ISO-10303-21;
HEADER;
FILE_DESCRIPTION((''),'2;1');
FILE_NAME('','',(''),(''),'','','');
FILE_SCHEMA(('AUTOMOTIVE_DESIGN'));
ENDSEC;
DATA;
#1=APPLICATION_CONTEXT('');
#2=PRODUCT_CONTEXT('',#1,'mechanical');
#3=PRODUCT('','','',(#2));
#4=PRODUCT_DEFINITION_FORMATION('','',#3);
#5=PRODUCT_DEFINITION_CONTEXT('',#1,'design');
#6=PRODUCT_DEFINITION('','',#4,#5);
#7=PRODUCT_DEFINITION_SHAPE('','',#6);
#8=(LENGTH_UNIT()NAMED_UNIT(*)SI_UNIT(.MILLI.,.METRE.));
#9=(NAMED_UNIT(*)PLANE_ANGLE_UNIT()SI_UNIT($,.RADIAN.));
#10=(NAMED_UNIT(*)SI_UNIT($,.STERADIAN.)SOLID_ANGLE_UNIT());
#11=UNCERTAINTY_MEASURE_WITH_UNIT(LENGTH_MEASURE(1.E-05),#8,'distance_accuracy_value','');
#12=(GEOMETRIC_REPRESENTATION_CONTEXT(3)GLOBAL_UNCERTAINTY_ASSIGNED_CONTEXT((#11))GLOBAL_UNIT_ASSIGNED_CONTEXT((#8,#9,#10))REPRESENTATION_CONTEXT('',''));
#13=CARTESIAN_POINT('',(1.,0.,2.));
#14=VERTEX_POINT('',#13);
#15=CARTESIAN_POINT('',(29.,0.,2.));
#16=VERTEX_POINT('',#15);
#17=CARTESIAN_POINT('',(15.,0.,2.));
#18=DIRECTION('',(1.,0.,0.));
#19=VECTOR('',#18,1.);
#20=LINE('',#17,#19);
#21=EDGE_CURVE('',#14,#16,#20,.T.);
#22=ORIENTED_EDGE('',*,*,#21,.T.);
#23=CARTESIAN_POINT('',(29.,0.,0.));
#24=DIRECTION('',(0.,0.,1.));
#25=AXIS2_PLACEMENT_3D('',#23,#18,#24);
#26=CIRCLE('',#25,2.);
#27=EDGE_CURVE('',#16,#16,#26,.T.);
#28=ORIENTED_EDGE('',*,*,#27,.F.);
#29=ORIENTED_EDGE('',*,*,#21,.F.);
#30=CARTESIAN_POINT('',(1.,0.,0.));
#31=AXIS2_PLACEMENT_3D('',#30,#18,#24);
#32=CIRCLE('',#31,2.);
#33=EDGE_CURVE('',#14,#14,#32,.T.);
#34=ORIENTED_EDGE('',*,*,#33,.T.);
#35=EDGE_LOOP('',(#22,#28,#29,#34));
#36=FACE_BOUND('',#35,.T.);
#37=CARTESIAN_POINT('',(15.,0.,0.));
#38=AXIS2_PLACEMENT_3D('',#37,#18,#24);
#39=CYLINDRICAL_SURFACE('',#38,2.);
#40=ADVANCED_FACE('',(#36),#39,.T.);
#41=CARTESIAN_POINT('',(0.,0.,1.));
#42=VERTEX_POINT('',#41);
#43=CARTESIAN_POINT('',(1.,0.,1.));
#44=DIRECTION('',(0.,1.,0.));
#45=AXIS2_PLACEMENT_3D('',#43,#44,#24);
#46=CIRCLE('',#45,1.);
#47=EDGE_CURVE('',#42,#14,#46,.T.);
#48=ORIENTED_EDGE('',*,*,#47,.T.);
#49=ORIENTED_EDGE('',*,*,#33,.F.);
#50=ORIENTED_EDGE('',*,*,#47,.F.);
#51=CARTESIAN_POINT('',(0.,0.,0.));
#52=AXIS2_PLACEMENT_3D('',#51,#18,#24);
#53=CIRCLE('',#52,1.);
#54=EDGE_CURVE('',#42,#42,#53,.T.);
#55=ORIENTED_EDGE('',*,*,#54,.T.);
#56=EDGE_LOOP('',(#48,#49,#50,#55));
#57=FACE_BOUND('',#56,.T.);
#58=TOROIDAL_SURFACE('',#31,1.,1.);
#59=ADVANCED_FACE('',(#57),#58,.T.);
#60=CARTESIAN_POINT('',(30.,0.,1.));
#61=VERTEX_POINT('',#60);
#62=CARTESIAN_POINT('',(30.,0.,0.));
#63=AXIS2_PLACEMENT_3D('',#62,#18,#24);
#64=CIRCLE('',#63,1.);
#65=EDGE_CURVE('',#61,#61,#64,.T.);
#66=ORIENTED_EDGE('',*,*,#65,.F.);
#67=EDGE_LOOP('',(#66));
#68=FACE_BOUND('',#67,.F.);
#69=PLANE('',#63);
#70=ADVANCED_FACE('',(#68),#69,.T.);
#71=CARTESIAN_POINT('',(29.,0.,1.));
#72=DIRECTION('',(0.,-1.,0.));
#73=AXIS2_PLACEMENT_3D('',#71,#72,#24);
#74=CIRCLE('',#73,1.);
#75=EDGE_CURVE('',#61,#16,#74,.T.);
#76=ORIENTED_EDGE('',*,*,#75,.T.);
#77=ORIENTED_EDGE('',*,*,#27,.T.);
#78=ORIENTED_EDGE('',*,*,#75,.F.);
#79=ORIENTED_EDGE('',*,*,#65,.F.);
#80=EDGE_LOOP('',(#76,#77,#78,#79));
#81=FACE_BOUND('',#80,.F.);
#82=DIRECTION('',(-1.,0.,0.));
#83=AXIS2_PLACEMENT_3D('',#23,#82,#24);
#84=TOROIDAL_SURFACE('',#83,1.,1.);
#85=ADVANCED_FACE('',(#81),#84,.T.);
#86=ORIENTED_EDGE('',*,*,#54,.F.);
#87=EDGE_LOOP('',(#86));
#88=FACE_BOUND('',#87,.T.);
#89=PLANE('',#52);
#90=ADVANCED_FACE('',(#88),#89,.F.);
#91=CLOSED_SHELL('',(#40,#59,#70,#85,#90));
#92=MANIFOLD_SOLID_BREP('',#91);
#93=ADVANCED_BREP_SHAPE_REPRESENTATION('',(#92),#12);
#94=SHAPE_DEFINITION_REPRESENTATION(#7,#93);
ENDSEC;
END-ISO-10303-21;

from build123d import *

# Parameters (mm, degrees)
F0_W = 30
F0_H = 2
F2_R = 1


with BuildPart() as f1:
    # F0 (on Front) → F1 (revolve)
    with BuildSketch(Plane.XZ):
        with Locations((15, 1)):
            Rectangle(F0_W, F0_H)
    revolve(axis=Axis((15, 0, 0), (1, 0, 0)))

    # F2
    f2_edges = [f1.edges().sort_by_distance(p)[0] for p in [
        (30, 0, -2),
        (0, 0, -2),
    ]]
    fillet(f2_edges, radius=F2_R)


solid = f1.part
